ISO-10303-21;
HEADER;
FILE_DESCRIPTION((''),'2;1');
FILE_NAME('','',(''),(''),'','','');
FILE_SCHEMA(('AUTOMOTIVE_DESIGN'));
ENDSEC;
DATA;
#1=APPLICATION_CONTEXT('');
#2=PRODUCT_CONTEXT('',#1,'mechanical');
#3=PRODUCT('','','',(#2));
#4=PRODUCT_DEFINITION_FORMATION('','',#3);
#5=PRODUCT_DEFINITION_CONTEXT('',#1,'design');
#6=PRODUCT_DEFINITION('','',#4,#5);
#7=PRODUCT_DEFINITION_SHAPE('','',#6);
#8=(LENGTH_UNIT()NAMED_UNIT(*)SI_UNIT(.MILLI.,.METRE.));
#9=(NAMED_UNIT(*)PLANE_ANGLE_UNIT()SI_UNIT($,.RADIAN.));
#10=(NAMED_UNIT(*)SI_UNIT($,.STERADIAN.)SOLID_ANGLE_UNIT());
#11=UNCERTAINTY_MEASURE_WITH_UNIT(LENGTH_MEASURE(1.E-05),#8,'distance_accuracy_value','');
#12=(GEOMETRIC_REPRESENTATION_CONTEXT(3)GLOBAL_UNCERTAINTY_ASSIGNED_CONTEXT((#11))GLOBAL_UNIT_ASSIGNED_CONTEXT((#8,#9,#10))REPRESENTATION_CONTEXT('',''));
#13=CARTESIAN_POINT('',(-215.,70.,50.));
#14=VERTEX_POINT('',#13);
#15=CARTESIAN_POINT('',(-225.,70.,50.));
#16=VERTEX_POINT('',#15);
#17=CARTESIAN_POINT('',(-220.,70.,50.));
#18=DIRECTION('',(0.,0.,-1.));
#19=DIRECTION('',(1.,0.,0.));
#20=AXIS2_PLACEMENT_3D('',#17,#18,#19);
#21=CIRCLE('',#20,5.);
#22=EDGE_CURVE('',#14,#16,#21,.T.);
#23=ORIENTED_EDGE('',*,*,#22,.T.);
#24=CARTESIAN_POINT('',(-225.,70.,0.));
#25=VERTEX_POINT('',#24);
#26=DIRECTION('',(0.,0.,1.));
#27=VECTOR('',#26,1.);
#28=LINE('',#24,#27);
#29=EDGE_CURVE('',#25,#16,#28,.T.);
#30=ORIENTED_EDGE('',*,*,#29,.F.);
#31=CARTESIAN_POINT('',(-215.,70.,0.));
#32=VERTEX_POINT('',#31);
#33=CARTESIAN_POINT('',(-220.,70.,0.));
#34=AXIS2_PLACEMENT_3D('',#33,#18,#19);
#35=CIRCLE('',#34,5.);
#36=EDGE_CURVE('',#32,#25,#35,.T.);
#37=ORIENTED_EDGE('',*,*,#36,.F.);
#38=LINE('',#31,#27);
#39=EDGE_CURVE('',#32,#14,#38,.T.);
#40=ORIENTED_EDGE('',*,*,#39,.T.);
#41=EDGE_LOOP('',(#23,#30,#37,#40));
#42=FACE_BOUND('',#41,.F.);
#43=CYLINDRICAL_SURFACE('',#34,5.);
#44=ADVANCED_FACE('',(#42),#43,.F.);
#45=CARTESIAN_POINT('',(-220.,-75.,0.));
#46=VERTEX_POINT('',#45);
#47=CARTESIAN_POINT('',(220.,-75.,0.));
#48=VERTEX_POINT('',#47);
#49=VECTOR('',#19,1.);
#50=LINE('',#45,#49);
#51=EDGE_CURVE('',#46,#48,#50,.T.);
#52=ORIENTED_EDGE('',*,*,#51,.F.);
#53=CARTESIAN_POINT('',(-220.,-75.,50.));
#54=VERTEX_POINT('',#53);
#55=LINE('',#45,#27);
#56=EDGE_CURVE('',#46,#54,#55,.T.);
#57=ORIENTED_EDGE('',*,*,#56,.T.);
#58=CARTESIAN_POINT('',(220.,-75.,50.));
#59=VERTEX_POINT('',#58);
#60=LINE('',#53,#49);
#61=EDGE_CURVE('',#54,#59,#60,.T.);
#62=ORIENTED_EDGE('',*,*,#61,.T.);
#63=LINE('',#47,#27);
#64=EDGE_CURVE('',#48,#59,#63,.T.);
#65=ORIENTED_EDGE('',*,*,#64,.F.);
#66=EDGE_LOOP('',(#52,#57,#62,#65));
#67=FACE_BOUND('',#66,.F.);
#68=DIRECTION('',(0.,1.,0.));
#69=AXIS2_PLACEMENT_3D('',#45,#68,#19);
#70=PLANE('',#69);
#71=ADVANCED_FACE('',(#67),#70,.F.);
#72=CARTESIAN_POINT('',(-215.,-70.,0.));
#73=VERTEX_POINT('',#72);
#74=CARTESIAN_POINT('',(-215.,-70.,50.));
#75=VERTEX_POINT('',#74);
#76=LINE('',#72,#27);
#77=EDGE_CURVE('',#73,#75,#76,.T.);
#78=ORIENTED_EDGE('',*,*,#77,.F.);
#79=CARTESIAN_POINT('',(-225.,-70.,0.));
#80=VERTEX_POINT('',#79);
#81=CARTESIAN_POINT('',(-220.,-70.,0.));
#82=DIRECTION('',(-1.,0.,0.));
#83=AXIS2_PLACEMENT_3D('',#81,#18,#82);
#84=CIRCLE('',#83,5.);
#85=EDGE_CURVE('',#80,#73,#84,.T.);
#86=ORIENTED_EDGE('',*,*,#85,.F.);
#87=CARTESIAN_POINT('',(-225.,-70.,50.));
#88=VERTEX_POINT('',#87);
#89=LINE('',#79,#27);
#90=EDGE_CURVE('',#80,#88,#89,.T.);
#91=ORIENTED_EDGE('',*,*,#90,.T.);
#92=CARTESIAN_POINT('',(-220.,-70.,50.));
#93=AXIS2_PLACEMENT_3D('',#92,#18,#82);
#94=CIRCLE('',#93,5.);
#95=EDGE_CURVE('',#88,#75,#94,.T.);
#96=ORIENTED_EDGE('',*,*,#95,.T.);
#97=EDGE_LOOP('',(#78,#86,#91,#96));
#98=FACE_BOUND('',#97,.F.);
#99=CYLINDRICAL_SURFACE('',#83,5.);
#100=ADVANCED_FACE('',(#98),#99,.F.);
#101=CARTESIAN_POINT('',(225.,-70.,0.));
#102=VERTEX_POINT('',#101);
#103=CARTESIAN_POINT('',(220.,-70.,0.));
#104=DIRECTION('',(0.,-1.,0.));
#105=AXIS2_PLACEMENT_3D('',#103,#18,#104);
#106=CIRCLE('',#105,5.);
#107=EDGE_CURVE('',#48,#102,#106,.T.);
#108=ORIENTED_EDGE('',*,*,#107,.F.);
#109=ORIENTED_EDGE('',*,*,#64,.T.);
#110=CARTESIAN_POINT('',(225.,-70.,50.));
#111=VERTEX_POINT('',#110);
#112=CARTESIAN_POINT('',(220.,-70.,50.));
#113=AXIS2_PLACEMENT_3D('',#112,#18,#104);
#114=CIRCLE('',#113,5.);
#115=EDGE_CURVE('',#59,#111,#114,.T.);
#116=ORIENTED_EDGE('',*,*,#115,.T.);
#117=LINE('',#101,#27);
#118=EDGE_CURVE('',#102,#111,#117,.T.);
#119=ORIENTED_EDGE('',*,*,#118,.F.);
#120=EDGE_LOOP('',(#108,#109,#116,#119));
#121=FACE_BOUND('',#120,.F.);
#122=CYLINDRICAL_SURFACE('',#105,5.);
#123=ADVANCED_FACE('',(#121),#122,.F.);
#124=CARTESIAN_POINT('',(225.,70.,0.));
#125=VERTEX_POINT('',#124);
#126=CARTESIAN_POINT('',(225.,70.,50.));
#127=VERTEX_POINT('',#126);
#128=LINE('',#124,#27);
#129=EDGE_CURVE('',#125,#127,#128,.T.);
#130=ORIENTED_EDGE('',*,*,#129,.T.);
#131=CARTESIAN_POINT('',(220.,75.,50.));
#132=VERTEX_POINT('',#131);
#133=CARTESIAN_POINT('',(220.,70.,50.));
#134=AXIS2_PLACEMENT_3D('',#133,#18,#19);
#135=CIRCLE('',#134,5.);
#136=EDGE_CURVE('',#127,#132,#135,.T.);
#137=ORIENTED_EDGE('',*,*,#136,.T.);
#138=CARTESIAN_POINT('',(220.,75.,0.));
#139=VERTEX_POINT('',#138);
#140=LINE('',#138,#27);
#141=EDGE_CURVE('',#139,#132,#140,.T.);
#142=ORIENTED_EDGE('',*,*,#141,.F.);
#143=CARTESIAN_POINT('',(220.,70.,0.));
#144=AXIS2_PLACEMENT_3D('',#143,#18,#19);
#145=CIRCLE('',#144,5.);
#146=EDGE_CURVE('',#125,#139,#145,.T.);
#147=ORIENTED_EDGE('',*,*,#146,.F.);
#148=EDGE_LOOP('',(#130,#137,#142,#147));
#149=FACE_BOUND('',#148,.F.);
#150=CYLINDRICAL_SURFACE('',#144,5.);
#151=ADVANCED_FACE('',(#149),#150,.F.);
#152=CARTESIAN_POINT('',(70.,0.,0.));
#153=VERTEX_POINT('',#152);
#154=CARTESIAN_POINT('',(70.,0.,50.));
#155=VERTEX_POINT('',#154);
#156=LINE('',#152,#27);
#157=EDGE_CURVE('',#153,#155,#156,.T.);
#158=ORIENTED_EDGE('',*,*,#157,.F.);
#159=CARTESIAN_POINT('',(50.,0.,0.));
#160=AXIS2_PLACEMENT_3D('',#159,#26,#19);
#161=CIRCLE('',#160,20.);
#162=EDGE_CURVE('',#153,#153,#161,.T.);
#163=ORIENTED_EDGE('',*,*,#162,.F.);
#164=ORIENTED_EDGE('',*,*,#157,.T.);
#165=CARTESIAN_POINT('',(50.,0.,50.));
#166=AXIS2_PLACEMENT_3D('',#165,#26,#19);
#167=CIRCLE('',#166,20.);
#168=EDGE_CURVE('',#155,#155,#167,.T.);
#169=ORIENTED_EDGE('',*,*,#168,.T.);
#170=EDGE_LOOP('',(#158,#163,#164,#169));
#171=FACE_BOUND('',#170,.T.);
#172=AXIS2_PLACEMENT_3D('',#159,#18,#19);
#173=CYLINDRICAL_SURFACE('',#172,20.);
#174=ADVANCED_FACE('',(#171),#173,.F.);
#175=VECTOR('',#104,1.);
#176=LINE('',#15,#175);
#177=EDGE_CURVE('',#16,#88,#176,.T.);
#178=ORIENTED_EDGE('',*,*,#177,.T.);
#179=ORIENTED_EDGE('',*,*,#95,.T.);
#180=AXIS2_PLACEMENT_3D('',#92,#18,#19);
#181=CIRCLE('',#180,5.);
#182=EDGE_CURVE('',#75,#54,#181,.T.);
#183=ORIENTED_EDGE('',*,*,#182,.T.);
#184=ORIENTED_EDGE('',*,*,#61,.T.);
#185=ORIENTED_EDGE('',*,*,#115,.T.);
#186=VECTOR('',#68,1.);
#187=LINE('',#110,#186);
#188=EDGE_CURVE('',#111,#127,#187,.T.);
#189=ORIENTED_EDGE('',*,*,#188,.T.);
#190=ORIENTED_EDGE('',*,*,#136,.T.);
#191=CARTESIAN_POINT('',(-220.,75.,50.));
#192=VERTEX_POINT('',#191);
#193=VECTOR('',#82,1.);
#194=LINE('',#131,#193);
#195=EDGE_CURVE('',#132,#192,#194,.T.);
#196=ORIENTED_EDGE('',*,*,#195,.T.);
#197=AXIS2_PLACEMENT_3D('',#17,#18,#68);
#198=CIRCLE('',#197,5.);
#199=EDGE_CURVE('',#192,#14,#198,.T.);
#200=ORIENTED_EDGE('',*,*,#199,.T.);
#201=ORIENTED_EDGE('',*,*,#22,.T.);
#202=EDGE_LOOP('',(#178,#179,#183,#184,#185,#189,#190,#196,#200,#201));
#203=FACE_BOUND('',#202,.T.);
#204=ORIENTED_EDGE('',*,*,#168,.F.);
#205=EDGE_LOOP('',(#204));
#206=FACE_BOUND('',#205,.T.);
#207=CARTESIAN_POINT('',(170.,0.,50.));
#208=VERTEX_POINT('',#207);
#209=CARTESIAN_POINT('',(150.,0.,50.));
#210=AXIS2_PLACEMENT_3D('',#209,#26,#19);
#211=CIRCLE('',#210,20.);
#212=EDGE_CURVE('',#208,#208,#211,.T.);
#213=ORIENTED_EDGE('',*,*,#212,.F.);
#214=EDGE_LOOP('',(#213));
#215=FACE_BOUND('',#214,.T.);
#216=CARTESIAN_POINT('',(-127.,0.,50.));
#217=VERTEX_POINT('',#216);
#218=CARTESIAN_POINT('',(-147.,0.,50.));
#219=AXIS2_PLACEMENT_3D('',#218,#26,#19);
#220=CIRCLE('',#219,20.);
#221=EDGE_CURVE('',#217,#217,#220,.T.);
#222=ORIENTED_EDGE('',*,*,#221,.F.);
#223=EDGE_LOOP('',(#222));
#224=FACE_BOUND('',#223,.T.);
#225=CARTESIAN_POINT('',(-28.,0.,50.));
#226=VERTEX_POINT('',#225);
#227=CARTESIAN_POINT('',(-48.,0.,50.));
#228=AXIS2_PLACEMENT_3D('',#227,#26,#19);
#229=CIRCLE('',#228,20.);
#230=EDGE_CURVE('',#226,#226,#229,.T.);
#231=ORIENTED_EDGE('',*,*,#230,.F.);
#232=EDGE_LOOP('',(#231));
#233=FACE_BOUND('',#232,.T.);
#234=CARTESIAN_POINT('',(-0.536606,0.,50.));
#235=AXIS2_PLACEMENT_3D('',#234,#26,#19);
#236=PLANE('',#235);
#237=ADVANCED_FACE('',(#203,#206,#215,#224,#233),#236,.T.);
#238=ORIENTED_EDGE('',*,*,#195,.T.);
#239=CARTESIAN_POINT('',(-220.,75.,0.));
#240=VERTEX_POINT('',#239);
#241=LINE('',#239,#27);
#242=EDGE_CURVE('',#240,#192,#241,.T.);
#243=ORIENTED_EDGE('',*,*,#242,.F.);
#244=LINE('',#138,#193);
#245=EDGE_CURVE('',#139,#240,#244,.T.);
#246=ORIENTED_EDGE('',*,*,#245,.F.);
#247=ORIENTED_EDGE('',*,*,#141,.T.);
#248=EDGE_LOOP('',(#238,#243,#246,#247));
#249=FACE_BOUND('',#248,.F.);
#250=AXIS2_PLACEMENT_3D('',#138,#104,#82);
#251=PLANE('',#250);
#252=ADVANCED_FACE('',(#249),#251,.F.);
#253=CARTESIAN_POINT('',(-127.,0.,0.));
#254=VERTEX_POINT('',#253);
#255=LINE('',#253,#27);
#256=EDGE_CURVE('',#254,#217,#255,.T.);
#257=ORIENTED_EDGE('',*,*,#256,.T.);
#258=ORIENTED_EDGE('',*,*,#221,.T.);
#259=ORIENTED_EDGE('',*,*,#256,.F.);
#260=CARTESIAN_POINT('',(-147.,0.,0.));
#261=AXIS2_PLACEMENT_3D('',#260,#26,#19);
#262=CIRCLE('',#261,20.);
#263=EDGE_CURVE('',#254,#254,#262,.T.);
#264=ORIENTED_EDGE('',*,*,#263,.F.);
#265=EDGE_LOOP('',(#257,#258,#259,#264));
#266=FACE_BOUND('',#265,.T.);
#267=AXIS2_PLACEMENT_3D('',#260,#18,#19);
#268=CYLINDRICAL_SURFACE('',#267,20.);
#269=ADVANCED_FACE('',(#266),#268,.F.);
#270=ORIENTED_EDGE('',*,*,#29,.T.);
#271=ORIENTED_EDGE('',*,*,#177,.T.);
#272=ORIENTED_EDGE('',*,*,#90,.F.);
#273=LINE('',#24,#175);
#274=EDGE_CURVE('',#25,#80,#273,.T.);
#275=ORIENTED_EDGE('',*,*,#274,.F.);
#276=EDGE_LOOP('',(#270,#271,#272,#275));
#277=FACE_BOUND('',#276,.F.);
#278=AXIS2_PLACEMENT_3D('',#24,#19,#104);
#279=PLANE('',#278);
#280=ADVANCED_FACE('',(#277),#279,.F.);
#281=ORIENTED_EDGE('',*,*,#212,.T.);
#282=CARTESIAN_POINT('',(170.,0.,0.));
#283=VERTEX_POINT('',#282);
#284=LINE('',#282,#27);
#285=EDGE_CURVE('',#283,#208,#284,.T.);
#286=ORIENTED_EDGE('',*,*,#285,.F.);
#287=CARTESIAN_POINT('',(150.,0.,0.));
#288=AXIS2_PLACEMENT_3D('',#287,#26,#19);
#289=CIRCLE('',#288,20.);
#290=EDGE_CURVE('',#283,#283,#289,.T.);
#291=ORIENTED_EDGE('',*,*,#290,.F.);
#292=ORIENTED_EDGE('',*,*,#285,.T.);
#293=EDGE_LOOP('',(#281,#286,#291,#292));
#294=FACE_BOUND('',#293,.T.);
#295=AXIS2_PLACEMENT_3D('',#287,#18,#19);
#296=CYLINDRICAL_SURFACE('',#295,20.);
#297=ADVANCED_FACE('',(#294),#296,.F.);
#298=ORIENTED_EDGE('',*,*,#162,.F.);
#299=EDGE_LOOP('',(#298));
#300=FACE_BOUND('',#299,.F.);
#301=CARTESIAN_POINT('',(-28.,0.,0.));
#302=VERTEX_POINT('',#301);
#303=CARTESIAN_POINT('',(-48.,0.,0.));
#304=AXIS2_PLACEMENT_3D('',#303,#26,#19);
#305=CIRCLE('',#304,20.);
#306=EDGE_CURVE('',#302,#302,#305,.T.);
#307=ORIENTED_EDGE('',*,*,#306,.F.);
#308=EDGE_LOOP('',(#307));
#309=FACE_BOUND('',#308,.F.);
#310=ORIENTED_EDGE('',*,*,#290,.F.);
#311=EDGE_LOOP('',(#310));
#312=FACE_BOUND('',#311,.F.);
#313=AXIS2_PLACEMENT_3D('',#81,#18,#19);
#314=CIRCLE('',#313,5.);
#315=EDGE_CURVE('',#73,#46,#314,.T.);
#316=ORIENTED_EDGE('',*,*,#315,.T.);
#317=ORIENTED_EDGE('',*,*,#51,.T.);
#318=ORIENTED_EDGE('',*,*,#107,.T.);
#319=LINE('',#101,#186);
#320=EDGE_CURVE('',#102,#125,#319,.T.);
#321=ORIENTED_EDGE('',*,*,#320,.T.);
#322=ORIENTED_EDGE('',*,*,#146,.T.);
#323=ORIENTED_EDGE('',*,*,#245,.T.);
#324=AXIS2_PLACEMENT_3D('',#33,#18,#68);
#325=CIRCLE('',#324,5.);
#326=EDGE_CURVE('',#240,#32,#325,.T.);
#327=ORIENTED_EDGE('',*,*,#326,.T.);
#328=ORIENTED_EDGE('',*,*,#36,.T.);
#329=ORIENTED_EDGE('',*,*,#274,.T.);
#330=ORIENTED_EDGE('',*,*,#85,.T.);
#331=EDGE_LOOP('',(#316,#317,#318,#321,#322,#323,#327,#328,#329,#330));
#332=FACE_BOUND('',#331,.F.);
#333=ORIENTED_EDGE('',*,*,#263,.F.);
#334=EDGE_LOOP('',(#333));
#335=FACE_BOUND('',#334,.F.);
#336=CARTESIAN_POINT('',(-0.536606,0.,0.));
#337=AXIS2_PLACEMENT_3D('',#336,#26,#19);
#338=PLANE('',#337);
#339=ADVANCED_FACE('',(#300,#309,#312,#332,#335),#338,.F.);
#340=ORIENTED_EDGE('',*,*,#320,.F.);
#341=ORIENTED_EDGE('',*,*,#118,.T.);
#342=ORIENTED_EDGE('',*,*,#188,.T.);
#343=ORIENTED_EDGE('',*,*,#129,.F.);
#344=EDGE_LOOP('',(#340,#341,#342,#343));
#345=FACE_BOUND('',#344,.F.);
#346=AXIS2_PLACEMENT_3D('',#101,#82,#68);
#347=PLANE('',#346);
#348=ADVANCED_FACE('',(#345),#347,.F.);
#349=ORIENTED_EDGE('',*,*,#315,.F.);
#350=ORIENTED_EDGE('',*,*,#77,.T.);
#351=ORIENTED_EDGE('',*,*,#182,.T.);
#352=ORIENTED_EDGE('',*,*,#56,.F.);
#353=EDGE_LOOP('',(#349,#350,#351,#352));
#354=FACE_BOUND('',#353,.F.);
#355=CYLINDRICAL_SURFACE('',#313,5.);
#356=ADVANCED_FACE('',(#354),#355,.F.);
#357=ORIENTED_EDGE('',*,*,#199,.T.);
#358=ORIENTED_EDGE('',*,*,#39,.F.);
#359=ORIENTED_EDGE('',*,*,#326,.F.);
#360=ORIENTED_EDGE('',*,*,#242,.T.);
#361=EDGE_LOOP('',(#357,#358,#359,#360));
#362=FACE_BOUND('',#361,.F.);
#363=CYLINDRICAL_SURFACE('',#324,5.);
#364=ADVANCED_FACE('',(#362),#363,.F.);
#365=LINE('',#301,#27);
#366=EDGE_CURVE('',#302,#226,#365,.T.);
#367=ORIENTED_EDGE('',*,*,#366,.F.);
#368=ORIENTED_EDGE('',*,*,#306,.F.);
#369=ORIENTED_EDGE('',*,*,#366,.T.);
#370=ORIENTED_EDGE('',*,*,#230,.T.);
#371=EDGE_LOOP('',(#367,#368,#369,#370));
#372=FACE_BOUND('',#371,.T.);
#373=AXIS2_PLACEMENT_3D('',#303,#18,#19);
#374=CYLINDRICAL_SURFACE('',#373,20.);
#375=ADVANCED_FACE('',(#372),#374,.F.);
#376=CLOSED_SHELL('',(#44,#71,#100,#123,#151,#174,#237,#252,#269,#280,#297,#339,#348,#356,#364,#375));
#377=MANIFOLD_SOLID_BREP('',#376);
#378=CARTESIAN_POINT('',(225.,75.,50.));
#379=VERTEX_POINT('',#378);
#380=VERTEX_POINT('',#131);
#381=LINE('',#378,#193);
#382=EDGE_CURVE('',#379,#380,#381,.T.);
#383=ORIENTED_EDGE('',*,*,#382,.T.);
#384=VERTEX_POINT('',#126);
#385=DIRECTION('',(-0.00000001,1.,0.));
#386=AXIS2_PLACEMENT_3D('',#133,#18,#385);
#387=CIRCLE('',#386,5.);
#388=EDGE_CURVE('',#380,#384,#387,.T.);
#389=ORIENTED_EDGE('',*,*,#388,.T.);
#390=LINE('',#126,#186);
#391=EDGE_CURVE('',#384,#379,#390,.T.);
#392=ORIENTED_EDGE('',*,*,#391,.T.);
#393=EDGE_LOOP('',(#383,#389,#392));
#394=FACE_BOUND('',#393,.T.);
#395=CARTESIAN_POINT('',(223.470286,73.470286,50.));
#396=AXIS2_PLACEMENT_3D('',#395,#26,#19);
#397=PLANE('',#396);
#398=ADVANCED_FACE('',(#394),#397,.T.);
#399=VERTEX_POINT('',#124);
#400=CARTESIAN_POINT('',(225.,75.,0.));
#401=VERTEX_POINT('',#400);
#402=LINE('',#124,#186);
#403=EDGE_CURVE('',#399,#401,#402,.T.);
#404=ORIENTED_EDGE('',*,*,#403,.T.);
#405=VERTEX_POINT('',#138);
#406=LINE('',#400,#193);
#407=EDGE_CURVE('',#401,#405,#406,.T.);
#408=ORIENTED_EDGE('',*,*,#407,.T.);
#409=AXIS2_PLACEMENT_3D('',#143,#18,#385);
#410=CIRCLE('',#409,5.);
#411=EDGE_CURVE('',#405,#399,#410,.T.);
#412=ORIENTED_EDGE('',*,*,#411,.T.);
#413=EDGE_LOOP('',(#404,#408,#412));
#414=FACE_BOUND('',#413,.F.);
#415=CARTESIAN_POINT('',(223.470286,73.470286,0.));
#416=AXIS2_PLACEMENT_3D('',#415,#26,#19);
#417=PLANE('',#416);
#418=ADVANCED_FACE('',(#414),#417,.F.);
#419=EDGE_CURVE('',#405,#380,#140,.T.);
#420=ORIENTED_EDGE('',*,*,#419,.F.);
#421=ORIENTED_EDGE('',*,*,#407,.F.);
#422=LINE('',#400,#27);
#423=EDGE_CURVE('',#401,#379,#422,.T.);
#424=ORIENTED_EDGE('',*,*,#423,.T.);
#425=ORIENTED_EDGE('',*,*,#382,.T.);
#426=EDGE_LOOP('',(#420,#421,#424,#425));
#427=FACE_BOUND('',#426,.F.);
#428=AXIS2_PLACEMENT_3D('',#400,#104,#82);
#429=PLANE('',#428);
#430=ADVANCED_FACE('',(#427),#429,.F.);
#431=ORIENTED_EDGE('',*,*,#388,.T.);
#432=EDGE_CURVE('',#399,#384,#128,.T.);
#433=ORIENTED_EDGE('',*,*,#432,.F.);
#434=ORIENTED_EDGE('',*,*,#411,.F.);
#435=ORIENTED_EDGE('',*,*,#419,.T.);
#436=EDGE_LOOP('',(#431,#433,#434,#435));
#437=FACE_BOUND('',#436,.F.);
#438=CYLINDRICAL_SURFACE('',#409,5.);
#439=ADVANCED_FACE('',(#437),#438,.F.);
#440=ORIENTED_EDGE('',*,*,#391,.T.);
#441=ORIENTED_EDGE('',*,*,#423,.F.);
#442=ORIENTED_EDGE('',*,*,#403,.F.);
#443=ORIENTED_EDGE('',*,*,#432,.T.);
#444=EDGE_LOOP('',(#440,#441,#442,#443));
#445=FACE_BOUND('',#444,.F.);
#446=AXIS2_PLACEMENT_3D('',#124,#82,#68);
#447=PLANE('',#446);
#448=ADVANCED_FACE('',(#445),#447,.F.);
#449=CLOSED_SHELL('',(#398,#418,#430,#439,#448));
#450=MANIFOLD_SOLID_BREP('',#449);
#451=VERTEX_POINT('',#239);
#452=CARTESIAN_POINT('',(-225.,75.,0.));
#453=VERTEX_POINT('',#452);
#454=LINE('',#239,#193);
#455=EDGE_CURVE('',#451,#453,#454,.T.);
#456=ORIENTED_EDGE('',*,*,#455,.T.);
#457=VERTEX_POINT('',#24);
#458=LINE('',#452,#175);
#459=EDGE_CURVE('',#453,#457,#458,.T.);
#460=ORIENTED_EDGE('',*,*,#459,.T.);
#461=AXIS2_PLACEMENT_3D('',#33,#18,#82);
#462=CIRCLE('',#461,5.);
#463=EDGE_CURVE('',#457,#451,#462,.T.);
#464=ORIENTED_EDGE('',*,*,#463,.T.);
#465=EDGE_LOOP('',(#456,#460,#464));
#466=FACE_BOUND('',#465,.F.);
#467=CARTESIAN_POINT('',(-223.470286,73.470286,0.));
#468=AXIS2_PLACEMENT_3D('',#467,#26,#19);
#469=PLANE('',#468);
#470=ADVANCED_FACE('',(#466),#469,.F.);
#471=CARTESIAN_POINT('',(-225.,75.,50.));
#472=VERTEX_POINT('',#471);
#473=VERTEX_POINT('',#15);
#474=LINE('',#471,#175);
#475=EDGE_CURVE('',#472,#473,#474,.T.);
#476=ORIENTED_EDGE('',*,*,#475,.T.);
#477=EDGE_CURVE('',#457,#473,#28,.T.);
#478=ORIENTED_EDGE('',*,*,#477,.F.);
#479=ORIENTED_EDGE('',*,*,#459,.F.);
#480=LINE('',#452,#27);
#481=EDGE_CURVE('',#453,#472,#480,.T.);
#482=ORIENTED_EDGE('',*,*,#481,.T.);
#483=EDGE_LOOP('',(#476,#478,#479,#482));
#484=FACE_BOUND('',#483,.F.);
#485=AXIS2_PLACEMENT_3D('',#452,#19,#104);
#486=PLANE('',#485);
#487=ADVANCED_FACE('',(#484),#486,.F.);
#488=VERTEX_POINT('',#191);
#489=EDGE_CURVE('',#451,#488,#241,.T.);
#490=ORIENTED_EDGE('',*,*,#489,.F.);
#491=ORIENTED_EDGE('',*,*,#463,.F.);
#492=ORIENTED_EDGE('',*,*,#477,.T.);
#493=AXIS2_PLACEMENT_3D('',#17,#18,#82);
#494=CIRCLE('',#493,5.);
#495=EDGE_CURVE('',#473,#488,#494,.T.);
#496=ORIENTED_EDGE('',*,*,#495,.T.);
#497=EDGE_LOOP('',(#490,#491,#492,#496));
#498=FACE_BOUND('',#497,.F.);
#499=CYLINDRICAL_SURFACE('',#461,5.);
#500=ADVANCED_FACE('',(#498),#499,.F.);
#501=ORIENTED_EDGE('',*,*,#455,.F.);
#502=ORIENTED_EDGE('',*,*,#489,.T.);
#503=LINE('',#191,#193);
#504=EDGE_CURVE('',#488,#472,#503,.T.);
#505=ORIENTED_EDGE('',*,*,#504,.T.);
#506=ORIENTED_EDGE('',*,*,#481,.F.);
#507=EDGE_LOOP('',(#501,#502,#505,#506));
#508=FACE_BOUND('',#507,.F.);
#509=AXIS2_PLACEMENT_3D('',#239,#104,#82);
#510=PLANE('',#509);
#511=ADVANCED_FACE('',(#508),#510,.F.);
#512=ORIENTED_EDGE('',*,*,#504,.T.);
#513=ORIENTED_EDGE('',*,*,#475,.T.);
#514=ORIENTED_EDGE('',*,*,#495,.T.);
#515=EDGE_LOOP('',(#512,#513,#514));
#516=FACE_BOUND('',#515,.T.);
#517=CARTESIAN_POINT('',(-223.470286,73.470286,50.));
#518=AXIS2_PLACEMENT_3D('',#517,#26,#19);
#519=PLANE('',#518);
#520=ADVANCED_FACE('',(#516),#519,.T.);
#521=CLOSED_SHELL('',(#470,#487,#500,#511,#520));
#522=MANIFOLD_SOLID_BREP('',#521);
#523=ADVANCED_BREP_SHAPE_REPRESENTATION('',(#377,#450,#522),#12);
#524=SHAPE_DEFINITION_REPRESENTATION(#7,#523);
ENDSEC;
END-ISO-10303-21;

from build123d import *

# Parameters (mm, degrees)
F1_DEPTH = 50
F0_R     = 20


with BuildPart() as f1:
    # F0 (on Top) → F1 (new body)
    with BuildSketch(Plane.XY):
        with BuildLine():
            Line((-220, 75), (-225, 75))
            Line((-225, 75), (-225, 70))
            ThreePointArc((-225, 70), (-223.5355339059, 73.5355339059), (-220, 75))
        make_face()
    extrude(amount=F1_DEPTH)


with BuildPart() as f1b:
    # F0 (on Top) → F1, piece 2 (new body)
    with BuildSketch(Plane.XY):
        with BuildLine():
            Line((219.9999999506, 75), (-220, 75))
            ThreePointArc((-220, 75), (-216.4644660941, 73.5355339059), (-215, 70))
            ThreePointArc((-215, 70), (-220, 65), (-225, 70))
            Line((-225, 70), (-225, -70))
            ThreePointArc((-225, -70), (-220, -65), (-215, -70))
            ThreePointArc((-215, -70), (-216.4644660941, -73.5355339059), (-220, -75))
            Line((-220, -75), (220, -75))
            ThreePointArc((220, -75), (216.4644660941, -66.4644660941), (225, -70))
            Line((225, -70), (225, 70))
            ThreePointArc((225, 70), (216.4644661115, 66.4644660766), (219.9999999506, 75))
        make_face()
        with Locations((-147, 0)):
            Circle(F0_R, mode=Mode.SUBTRACT)
        with Locations((-48, 0)):
            Circle(F0_R, mode=Mode.SUBTRACT)
        with Locations((50, 0)):
            Circle(F0_R, mode=Mode.SUBTRACT)
        with Locations((150, 0)):
            Circle(F0_R, mode=Mode.SUBTRACT)
    extrude(amount=F1_DEPTH)


with BuildPart() as f1c:
    # F0 (on Top) → F1, piece 3 (new body)
    with BuildSketch(Plane.XY):
        with BuildLine():
            Line((225, 75), (219.9999999506, 75))
            ThreePointArc((219.9999999506, 75), (223.5355338885, 73.5355339234), (225, 70))
            Line((225, 70), (225, 75))
        make_face()
    extrude(amount=F1_DEPTH)


solid = Compound([f1.part, f1b.part, f1c.part])
